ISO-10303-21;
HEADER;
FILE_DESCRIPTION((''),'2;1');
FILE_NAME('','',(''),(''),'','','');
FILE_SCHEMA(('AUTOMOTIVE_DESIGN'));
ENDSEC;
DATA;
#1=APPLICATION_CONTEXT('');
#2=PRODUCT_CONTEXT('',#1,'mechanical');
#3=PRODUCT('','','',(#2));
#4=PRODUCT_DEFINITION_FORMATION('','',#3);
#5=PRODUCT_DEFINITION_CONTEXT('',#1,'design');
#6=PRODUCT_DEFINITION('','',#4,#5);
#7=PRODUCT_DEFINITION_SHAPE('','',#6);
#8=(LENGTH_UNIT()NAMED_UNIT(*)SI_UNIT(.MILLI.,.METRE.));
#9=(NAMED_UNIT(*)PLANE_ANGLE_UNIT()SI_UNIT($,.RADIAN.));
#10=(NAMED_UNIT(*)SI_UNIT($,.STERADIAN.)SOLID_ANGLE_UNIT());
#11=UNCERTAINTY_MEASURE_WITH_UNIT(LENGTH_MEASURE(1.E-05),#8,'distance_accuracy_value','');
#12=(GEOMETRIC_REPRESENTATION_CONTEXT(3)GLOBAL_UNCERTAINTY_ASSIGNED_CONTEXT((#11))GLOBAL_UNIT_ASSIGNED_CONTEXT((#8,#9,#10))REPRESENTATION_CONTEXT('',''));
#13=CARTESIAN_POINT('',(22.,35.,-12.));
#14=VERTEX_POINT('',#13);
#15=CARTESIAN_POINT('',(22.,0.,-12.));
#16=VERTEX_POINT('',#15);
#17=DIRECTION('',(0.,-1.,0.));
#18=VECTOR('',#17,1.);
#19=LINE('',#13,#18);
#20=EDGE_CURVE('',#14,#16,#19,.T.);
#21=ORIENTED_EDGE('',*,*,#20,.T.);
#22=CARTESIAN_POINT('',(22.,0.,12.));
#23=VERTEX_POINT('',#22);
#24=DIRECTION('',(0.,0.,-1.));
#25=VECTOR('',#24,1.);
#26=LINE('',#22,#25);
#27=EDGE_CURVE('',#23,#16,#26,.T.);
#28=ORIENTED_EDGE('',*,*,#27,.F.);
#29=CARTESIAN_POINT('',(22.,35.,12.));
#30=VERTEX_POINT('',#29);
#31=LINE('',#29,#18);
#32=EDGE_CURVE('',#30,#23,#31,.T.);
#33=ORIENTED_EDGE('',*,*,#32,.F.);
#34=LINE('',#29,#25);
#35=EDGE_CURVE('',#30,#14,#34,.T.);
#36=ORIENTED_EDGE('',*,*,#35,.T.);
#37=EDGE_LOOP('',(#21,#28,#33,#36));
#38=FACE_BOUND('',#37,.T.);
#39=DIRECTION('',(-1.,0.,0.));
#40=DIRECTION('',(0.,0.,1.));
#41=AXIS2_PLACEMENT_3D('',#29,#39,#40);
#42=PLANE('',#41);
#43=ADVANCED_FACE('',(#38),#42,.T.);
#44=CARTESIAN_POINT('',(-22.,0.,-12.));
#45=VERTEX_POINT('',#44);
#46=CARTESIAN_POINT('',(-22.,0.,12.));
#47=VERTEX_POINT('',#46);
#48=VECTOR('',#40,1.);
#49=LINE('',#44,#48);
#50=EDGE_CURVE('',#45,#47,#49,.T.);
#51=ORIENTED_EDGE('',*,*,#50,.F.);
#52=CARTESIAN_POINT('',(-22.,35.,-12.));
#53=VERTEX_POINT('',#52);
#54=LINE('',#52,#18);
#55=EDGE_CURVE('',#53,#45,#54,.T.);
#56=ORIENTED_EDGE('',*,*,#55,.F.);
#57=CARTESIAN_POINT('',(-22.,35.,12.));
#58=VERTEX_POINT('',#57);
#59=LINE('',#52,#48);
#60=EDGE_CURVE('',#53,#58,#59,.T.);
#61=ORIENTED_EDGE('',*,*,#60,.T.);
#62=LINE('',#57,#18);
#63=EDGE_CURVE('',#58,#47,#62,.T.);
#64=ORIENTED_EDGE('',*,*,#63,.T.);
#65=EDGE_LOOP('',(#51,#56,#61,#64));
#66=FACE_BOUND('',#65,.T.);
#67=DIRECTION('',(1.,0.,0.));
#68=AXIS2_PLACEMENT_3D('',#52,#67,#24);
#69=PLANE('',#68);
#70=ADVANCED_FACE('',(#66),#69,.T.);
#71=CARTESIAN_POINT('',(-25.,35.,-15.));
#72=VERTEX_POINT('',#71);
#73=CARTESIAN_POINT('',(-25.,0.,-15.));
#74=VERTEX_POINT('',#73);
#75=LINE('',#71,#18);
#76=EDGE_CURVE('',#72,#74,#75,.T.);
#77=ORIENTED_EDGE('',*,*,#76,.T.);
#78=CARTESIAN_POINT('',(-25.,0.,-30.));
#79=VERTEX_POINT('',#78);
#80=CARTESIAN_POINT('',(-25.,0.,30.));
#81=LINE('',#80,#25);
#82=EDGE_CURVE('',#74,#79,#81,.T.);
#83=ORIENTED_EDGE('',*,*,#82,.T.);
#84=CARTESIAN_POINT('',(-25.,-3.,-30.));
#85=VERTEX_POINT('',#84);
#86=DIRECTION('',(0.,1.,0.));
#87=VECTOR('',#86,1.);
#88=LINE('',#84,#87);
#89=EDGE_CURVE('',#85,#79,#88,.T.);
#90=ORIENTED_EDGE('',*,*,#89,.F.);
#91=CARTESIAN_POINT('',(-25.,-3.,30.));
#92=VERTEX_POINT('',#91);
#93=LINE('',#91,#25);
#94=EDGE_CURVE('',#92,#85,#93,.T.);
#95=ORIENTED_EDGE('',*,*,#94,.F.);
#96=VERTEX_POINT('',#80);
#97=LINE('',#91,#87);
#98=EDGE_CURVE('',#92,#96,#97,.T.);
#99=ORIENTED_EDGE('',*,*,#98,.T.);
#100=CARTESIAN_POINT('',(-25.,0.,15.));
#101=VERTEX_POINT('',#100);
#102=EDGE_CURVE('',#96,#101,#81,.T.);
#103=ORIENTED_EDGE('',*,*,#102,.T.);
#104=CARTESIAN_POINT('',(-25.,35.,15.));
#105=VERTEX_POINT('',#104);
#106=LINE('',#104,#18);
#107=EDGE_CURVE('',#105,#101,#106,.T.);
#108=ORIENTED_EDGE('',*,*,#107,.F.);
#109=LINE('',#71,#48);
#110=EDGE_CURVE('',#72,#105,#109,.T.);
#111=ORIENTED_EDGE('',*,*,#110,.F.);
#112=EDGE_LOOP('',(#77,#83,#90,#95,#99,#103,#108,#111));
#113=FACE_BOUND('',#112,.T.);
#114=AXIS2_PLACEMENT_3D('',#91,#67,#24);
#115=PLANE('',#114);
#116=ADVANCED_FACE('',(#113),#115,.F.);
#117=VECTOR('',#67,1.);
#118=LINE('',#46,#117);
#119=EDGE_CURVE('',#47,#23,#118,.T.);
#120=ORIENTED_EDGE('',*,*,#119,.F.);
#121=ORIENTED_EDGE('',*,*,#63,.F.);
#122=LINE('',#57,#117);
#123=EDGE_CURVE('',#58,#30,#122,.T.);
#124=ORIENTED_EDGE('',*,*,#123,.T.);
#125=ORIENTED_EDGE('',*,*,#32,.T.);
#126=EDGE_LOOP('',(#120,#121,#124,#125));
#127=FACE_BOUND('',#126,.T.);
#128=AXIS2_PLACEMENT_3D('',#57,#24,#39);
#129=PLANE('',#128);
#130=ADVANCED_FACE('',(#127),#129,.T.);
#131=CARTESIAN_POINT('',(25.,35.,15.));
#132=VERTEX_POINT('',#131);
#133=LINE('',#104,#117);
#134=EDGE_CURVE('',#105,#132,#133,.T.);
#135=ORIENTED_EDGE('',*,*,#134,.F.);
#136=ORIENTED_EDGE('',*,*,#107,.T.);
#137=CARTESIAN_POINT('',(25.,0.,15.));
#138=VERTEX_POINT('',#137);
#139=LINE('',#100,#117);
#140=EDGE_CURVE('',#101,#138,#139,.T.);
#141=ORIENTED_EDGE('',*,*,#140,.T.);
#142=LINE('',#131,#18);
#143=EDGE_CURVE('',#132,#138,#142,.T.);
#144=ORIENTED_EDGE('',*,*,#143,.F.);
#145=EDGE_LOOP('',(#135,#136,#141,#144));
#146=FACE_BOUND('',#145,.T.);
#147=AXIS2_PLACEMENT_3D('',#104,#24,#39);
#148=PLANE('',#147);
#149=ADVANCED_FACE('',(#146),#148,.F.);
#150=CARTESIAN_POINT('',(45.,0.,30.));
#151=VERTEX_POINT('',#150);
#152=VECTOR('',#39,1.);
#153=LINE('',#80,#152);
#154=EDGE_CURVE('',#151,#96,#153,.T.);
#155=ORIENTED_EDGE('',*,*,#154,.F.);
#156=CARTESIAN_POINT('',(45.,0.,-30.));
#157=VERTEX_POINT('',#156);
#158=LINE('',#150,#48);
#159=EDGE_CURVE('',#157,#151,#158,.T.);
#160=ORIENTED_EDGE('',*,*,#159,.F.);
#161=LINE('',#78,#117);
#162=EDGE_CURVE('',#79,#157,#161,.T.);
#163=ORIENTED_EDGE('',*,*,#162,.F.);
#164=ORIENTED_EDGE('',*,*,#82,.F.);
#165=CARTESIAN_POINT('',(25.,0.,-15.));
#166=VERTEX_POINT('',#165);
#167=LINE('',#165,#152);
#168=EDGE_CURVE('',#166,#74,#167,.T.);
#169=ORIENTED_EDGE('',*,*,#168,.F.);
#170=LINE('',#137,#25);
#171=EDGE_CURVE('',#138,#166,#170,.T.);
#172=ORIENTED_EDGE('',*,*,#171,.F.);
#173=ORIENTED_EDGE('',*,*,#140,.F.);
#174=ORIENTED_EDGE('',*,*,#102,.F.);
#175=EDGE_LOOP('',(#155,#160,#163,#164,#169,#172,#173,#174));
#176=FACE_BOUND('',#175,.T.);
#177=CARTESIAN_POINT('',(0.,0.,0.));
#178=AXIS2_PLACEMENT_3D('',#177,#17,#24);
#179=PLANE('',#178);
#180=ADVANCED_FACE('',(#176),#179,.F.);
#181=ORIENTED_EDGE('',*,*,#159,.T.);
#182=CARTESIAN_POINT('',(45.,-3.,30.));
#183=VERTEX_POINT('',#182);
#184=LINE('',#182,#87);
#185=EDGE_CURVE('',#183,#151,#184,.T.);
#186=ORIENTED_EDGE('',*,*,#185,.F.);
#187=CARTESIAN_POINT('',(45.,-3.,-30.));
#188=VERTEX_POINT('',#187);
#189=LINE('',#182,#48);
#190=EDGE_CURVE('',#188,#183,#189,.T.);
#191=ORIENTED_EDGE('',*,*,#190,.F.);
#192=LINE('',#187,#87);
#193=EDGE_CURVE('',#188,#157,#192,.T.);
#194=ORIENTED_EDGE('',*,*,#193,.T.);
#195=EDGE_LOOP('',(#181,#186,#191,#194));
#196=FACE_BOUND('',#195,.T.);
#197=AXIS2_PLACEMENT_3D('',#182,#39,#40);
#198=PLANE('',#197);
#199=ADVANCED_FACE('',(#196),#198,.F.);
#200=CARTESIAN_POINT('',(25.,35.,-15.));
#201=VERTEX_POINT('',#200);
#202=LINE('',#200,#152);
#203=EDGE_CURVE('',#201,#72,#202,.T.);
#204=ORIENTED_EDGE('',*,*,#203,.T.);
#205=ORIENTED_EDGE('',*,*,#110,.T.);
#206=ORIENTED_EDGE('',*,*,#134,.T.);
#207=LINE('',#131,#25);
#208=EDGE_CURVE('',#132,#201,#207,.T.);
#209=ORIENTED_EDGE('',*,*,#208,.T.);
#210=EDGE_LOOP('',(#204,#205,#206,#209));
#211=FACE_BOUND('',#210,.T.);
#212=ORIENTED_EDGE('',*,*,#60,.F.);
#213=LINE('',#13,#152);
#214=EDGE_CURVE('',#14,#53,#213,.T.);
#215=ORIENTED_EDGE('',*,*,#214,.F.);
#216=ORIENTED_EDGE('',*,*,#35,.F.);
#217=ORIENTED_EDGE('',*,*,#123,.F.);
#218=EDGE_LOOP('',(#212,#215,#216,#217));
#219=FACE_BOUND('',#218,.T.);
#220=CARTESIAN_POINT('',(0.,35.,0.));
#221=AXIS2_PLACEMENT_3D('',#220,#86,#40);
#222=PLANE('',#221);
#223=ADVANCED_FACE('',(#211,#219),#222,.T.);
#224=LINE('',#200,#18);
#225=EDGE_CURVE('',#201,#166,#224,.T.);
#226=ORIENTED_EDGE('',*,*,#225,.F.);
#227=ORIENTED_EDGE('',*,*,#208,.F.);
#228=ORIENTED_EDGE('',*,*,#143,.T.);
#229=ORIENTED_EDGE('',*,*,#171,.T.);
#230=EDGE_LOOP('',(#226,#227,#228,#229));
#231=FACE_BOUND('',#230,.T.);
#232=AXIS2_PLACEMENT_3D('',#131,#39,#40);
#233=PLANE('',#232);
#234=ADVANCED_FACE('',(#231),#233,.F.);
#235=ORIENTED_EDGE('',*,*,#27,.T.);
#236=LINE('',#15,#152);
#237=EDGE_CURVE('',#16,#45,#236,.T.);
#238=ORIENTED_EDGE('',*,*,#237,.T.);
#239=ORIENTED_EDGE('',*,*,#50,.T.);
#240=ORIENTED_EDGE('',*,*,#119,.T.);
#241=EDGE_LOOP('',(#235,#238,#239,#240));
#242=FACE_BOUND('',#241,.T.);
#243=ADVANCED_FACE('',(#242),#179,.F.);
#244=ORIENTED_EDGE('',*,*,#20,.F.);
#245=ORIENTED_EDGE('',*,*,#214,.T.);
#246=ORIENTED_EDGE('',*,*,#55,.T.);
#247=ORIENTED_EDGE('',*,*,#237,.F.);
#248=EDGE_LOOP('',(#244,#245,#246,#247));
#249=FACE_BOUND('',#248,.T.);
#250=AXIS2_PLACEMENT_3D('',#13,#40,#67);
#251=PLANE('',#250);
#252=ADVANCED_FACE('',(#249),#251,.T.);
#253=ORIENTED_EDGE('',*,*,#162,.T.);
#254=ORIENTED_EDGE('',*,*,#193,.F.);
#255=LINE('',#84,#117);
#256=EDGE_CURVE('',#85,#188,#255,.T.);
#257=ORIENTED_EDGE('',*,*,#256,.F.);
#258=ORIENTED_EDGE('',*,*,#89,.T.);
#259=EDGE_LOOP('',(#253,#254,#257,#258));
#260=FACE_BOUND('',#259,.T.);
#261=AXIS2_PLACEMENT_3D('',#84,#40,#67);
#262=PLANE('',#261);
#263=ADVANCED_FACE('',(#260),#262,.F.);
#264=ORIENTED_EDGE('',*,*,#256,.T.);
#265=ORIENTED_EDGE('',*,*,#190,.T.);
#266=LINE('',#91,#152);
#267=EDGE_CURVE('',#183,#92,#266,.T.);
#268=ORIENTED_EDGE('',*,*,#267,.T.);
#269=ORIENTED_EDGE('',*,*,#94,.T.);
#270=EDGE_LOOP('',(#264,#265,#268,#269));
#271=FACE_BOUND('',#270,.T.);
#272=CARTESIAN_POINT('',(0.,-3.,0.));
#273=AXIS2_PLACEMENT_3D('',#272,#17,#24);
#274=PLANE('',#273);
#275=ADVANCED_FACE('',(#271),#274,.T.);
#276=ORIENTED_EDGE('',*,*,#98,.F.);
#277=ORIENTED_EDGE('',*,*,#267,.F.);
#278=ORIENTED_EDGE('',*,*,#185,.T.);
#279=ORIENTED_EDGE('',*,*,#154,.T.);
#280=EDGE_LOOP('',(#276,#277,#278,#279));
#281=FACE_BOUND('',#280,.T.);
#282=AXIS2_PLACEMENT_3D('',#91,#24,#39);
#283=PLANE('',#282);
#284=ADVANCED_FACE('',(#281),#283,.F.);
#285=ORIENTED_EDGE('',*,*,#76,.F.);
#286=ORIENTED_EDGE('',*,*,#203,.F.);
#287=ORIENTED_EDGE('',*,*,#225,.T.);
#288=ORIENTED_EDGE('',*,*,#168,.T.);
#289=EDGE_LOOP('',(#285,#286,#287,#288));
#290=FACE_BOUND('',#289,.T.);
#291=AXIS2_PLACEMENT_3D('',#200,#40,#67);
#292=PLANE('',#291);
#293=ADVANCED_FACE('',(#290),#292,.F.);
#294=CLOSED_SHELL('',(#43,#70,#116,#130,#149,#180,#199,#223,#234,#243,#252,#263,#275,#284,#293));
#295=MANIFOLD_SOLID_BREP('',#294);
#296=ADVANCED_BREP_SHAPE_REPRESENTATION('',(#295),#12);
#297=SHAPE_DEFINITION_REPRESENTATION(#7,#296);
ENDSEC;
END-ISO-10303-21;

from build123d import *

# Parameters (mm, degrees)
SKETCH1_W           = 40
SKETCH1_H           = 20
BOSS_EXTRUDE1_DEPTH = 35
SKETCH2_W           = 50
SKETCH2_H           = 30
SKETCH2_W_2         = 44
SKETCH2_H_2         = 24
BOSS_EXTRUDE2_DEPTH = 35
SKETCH3_W           = 70
SKETCH3_H           = 60
BOSS_EXTRUDE4_DEPTH = 3
SKETCH6_W           = 40
SKETCH6_H           = 20
CUT_EXTRUDE1_DEPTH  = 35


with BuildPart() as part:
    # Sketch1 → Boss-Extrude1 (new body)
    with BuildSketch(Plane(origin=(0, 0, 0), x_dir=(1, 0, 0), z_dir=(0, 1, 0))):
        Rectangle(SKETCH1_W, SKETCH1_H)
    extrude(amount=BOSS_EXTRUDE1_DEPTH)



with BuildPart() as body_2:
    # Sketch2 → Boss-Extrude2 (new body)
    with BuildSketch(Plane(origin=(0, 0, 0), x_dir=(1, 0, 0), z_dir=(0, 1, 0))):
        Rectangle(SKETCH2_W, SKETCH2_H)
        Rectangle(SKETCH2_W_2, SKETCH2_H_2, mode=Mode.SUBTRACT)
    extrude(amount=BOSS_EXTRUDE2_DEPTH)


with BuildPart() as part_1:
    add(part.part)

    add(body_2.part)  # Boss-Extrude4 merges body 2
    # Sketch3 → Boss-Extrude4 (add)
    with BuildSketch(Plane.XZ):
        with Locations((10, 0)):
            Rectangle(SKETCH3_W, SKETCH3_H)
    extrude(amount=BOSS_EXTRUDE4_DEPTH)

    # Sketch6 → Cut-Extrude1 (cut)
    with BuildSketch(Plane(origin=(0, 35, 0), x_dir=(1, 0, 0), z_dir=(0, 1, 0))):
        Rectangle(SKETCH6_W, SKETCH6_H)
    extrude(amount=-CUT_EXTRUDE1_DEPTH, mode=Mode.SUBTRACT)


solid = part_1.part
